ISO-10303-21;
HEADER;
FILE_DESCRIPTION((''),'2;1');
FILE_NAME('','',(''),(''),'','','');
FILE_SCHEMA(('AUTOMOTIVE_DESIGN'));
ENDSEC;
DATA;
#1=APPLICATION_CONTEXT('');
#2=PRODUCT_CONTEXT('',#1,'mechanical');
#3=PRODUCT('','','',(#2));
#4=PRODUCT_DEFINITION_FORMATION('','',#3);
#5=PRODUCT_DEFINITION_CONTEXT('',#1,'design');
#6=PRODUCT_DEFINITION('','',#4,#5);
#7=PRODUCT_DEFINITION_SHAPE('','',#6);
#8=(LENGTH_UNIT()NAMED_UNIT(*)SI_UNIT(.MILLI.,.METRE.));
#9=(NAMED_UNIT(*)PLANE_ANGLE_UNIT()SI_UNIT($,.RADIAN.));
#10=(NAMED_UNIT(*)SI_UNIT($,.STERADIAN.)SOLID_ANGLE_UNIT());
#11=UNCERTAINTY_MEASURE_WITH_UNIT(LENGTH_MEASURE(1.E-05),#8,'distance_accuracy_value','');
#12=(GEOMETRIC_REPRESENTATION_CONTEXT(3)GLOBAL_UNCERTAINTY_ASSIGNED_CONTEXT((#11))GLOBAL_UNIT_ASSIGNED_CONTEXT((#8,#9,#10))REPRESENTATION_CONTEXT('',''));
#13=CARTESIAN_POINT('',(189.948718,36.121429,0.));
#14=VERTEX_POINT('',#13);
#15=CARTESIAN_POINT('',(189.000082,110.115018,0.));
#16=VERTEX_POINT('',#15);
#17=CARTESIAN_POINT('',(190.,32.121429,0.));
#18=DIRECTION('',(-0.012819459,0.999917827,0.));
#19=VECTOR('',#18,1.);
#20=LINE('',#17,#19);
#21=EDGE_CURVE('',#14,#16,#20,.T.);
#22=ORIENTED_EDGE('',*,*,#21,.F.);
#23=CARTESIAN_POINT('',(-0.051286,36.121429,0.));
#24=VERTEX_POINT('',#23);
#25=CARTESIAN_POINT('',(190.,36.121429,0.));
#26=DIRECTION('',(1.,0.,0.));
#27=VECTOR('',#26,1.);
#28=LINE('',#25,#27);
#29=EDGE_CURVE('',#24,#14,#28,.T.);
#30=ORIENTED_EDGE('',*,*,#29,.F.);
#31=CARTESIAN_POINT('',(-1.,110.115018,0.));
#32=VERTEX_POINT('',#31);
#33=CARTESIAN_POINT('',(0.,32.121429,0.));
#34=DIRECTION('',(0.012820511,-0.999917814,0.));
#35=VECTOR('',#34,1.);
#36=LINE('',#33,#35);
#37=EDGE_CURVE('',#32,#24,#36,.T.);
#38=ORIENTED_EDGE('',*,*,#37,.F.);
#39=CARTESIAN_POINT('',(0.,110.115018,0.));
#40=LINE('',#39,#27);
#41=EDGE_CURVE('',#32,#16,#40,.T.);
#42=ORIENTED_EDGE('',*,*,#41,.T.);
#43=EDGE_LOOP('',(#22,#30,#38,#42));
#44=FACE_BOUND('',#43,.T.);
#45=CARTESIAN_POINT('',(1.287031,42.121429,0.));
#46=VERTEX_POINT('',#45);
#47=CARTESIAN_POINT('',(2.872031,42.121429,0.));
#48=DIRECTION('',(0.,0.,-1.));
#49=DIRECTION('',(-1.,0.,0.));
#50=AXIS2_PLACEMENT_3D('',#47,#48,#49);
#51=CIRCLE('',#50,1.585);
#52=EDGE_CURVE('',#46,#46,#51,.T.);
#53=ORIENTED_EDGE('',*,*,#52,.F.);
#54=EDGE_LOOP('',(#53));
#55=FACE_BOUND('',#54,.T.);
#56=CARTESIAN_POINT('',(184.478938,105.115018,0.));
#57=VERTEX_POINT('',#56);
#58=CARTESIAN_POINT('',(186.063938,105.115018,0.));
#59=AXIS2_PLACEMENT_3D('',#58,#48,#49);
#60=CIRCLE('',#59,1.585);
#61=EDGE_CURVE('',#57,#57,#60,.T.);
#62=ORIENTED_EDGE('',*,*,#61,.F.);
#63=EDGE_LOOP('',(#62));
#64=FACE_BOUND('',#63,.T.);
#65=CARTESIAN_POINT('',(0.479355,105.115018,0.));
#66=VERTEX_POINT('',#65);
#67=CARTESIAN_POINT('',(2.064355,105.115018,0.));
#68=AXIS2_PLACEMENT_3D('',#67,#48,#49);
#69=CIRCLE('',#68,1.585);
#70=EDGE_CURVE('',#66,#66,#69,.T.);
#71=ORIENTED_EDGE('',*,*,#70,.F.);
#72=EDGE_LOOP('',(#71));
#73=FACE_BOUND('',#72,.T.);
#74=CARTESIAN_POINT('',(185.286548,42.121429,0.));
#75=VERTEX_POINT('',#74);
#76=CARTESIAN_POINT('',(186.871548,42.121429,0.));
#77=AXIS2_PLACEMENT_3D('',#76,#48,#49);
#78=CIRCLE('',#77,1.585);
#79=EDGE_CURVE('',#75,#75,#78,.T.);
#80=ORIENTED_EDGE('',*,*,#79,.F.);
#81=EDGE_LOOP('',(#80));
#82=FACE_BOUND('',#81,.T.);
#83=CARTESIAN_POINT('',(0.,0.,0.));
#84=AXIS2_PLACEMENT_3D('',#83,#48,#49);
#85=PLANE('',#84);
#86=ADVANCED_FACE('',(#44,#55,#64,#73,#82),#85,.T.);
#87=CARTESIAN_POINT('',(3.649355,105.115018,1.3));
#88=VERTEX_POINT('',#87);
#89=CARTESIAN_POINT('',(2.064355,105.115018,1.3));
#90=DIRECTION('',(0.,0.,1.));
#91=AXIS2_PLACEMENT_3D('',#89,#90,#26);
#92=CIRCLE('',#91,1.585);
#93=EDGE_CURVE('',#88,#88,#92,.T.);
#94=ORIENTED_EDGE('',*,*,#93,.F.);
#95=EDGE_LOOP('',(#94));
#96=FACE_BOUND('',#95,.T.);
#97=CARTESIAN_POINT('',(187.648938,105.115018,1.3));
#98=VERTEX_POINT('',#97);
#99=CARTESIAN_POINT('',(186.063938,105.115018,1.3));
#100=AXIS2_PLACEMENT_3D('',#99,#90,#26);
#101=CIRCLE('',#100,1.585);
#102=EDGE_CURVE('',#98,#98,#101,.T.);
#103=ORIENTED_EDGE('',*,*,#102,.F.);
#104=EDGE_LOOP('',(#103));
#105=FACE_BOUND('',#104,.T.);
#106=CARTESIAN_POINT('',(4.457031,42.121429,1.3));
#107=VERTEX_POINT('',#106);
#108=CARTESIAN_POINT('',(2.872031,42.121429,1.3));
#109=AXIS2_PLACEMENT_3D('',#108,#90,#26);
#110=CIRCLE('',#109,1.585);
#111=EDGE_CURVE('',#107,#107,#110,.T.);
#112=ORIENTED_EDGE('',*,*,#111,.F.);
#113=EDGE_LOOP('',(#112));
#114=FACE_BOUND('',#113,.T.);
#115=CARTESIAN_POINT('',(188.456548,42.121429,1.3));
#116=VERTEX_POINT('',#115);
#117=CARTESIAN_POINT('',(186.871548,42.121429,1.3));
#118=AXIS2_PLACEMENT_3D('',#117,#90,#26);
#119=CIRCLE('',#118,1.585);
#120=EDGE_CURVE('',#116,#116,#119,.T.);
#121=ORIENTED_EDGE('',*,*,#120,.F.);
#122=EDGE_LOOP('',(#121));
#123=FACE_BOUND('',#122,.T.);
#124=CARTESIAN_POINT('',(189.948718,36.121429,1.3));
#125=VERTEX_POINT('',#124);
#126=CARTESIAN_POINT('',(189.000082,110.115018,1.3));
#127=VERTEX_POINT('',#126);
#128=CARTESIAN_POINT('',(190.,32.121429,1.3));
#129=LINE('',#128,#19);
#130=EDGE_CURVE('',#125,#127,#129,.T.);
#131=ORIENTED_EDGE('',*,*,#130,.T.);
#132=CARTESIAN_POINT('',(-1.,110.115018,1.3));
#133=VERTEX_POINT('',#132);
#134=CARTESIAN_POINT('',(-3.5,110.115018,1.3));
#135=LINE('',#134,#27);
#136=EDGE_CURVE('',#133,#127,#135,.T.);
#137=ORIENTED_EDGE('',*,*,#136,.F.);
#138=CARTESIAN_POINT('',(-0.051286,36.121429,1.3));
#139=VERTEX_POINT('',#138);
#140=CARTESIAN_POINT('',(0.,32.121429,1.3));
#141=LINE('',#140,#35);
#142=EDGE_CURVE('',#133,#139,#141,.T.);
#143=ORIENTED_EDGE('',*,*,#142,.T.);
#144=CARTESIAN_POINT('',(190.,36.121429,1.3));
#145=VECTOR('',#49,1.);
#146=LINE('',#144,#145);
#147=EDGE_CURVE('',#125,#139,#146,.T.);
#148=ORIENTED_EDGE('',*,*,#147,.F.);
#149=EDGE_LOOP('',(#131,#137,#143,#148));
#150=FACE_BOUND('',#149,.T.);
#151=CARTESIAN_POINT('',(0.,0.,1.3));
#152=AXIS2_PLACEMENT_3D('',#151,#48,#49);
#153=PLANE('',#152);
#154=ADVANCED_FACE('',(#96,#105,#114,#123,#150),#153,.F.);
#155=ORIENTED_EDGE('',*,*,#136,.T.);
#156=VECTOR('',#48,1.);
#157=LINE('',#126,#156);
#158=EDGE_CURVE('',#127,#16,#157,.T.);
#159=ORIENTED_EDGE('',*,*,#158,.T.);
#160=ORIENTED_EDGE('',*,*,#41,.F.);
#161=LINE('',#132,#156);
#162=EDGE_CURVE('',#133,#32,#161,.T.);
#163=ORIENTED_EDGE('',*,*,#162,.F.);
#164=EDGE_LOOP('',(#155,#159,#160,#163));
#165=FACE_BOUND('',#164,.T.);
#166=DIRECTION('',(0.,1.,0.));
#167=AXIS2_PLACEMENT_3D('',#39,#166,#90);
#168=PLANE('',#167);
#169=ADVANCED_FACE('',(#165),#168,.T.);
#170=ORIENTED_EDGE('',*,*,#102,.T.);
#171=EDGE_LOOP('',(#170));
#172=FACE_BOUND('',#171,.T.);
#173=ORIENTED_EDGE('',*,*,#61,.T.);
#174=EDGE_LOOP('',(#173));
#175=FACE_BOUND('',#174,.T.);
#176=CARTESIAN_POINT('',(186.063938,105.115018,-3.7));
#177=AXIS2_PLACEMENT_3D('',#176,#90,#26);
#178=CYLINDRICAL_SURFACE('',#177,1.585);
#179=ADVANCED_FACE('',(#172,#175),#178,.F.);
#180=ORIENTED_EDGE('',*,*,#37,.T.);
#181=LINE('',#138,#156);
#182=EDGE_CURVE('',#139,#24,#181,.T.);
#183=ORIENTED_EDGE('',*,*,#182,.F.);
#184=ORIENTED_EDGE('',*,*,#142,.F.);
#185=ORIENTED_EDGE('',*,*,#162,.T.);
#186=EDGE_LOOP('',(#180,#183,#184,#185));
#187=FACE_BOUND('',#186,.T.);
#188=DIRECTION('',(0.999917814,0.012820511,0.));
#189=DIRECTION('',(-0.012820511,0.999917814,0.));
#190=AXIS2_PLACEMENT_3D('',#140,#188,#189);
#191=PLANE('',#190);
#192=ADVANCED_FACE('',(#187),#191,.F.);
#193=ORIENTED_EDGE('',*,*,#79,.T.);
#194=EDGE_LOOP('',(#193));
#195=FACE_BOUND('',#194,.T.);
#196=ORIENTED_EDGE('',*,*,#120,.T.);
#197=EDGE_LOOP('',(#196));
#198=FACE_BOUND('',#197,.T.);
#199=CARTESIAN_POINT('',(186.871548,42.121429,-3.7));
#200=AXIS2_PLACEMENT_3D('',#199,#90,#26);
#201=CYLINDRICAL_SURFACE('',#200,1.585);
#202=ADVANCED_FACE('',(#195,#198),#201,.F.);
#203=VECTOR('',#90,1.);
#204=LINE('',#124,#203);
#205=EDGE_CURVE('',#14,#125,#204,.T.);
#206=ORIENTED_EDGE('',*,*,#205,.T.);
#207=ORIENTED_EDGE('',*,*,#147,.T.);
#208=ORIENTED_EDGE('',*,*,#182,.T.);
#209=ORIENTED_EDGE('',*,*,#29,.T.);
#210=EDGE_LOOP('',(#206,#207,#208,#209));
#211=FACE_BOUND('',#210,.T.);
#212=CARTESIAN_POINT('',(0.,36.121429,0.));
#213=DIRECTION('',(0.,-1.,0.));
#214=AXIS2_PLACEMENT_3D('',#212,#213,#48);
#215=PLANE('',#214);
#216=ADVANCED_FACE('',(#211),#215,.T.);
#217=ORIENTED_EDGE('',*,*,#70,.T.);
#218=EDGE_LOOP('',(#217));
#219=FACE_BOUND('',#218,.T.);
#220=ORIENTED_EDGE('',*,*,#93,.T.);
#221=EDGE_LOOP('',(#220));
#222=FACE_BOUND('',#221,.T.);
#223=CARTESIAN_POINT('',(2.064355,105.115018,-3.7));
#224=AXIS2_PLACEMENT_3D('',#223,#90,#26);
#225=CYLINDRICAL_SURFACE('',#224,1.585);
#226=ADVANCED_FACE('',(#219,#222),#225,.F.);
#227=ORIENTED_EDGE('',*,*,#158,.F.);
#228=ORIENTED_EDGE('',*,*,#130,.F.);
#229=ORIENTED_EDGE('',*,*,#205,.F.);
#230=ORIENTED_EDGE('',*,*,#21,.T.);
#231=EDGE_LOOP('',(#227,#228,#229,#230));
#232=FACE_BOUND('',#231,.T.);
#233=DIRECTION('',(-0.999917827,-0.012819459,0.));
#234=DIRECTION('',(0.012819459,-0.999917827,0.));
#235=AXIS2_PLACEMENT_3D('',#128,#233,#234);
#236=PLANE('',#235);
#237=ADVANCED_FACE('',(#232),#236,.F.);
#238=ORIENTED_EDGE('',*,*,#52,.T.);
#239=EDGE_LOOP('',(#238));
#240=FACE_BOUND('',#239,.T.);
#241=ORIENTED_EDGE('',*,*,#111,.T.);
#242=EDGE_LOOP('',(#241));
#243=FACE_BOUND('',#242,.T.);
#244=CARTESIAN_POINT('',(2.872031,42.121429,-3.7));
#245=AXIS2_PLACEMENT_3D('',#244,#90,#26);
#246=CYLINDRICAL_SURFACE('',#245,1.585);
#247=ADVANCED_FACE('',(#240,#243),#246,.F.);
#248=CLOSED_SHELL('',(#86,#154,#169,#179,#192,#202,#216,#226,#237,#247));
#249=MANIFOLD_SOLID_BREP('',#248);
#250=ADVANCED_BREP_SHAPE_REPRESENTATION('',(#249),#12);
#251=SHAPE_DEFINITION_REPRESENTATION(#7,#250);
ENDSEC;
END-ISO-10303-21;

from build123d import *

# Parameters (mm, degrees)
BOSS_EXTRUDE1_DEPTH     = 1.3
SKETCH3_R               = 1.585
CUT_EXTRUDE4_DEPTH      = 5
SKETCH8_W               = 195
SKETCH8_H               = 1.3
CUT_EXTRUDE5_DEPTH      = 10
CUT_EXTRUDE6_DEPTH      = 3
CUT_EXTRUDE6_DEPTH_BACK = 1
SKETCH9_W               = 190.999999892
SKETCH9_H               = 1.3


with BuildPart() as part:
    # Sketch1 → Boss-Extrude1 (new body)
    with BuildSketch(Plane.XY):
        Polygon((-3.499999892, 110.115018053), (-0.999999892, 110.115018053), (0, 32.121428571), (190, 32.121428571), (189, 110.121428571), (191.500000108, 110.115018053), (191.500000108, 115.115018053), (-3.499999892, 115.115018053), align=None)
    extrude(amount=BOSS_EXTRUDE1_DEPTH)

    # Sketch3 → Cut-Extrude4 (cut)
    with BuildSketch(Plane.XY.offset(1.3)):
        with Locations((186.063938212, 105.115018053)):
            Circle(SKETCH3_R)
        with Locations((2.064354513, 105.115018053)):
            Circle(SKETCH3_R)
        with Locations((2.872030927, 42.121428571)):
            Circle(SKETCH3_R)
        with Locations((186.871548334, 42.121428571)):
            Circle(SKETCH3_R)
    extrude(amount=-CUT_EXTRUDE4_DEPTH, mode=Mode.SUBTRACT)

    # Sketch8 → Cut-Extrude5 (cut)
    with BuildSketch(Plane(origin=(0, 110.115018053, 0), x_dir=(1, 0, 0), z_dir=(0, 1, 0))):
        with Locations((94.000000108, -0.65)):
            Rectangle(SKETCH8_W, SKETCH8_H)
    extrude(amount=CUT_EXTRUDE5_DEPTH, mode=Mode.SUBTRACT)

    # Sketch9 → Cut-Extrude6 (cut, two sides: drawn at the far end of the back side and taken through both)
    with BuildSketch(Plane(origin=(0, 35.121428571, 0), x_dir=(-1, 0, 0), z_dir=(0, -1, 0)).offset(-CUT_EXTRUDE6_DEPTH_BACK)):
        with Locations((-94.500000054, -0.65)):
            Rectangle(SKETCH9_W, SKETCH9_H)
    extrude(amount=CUT_EXTRUDE6_DEPTH + CUT_EXTRUDE6_DEPTH_BACK, mode=Mode.SUBTRACT)


solid = part.part
